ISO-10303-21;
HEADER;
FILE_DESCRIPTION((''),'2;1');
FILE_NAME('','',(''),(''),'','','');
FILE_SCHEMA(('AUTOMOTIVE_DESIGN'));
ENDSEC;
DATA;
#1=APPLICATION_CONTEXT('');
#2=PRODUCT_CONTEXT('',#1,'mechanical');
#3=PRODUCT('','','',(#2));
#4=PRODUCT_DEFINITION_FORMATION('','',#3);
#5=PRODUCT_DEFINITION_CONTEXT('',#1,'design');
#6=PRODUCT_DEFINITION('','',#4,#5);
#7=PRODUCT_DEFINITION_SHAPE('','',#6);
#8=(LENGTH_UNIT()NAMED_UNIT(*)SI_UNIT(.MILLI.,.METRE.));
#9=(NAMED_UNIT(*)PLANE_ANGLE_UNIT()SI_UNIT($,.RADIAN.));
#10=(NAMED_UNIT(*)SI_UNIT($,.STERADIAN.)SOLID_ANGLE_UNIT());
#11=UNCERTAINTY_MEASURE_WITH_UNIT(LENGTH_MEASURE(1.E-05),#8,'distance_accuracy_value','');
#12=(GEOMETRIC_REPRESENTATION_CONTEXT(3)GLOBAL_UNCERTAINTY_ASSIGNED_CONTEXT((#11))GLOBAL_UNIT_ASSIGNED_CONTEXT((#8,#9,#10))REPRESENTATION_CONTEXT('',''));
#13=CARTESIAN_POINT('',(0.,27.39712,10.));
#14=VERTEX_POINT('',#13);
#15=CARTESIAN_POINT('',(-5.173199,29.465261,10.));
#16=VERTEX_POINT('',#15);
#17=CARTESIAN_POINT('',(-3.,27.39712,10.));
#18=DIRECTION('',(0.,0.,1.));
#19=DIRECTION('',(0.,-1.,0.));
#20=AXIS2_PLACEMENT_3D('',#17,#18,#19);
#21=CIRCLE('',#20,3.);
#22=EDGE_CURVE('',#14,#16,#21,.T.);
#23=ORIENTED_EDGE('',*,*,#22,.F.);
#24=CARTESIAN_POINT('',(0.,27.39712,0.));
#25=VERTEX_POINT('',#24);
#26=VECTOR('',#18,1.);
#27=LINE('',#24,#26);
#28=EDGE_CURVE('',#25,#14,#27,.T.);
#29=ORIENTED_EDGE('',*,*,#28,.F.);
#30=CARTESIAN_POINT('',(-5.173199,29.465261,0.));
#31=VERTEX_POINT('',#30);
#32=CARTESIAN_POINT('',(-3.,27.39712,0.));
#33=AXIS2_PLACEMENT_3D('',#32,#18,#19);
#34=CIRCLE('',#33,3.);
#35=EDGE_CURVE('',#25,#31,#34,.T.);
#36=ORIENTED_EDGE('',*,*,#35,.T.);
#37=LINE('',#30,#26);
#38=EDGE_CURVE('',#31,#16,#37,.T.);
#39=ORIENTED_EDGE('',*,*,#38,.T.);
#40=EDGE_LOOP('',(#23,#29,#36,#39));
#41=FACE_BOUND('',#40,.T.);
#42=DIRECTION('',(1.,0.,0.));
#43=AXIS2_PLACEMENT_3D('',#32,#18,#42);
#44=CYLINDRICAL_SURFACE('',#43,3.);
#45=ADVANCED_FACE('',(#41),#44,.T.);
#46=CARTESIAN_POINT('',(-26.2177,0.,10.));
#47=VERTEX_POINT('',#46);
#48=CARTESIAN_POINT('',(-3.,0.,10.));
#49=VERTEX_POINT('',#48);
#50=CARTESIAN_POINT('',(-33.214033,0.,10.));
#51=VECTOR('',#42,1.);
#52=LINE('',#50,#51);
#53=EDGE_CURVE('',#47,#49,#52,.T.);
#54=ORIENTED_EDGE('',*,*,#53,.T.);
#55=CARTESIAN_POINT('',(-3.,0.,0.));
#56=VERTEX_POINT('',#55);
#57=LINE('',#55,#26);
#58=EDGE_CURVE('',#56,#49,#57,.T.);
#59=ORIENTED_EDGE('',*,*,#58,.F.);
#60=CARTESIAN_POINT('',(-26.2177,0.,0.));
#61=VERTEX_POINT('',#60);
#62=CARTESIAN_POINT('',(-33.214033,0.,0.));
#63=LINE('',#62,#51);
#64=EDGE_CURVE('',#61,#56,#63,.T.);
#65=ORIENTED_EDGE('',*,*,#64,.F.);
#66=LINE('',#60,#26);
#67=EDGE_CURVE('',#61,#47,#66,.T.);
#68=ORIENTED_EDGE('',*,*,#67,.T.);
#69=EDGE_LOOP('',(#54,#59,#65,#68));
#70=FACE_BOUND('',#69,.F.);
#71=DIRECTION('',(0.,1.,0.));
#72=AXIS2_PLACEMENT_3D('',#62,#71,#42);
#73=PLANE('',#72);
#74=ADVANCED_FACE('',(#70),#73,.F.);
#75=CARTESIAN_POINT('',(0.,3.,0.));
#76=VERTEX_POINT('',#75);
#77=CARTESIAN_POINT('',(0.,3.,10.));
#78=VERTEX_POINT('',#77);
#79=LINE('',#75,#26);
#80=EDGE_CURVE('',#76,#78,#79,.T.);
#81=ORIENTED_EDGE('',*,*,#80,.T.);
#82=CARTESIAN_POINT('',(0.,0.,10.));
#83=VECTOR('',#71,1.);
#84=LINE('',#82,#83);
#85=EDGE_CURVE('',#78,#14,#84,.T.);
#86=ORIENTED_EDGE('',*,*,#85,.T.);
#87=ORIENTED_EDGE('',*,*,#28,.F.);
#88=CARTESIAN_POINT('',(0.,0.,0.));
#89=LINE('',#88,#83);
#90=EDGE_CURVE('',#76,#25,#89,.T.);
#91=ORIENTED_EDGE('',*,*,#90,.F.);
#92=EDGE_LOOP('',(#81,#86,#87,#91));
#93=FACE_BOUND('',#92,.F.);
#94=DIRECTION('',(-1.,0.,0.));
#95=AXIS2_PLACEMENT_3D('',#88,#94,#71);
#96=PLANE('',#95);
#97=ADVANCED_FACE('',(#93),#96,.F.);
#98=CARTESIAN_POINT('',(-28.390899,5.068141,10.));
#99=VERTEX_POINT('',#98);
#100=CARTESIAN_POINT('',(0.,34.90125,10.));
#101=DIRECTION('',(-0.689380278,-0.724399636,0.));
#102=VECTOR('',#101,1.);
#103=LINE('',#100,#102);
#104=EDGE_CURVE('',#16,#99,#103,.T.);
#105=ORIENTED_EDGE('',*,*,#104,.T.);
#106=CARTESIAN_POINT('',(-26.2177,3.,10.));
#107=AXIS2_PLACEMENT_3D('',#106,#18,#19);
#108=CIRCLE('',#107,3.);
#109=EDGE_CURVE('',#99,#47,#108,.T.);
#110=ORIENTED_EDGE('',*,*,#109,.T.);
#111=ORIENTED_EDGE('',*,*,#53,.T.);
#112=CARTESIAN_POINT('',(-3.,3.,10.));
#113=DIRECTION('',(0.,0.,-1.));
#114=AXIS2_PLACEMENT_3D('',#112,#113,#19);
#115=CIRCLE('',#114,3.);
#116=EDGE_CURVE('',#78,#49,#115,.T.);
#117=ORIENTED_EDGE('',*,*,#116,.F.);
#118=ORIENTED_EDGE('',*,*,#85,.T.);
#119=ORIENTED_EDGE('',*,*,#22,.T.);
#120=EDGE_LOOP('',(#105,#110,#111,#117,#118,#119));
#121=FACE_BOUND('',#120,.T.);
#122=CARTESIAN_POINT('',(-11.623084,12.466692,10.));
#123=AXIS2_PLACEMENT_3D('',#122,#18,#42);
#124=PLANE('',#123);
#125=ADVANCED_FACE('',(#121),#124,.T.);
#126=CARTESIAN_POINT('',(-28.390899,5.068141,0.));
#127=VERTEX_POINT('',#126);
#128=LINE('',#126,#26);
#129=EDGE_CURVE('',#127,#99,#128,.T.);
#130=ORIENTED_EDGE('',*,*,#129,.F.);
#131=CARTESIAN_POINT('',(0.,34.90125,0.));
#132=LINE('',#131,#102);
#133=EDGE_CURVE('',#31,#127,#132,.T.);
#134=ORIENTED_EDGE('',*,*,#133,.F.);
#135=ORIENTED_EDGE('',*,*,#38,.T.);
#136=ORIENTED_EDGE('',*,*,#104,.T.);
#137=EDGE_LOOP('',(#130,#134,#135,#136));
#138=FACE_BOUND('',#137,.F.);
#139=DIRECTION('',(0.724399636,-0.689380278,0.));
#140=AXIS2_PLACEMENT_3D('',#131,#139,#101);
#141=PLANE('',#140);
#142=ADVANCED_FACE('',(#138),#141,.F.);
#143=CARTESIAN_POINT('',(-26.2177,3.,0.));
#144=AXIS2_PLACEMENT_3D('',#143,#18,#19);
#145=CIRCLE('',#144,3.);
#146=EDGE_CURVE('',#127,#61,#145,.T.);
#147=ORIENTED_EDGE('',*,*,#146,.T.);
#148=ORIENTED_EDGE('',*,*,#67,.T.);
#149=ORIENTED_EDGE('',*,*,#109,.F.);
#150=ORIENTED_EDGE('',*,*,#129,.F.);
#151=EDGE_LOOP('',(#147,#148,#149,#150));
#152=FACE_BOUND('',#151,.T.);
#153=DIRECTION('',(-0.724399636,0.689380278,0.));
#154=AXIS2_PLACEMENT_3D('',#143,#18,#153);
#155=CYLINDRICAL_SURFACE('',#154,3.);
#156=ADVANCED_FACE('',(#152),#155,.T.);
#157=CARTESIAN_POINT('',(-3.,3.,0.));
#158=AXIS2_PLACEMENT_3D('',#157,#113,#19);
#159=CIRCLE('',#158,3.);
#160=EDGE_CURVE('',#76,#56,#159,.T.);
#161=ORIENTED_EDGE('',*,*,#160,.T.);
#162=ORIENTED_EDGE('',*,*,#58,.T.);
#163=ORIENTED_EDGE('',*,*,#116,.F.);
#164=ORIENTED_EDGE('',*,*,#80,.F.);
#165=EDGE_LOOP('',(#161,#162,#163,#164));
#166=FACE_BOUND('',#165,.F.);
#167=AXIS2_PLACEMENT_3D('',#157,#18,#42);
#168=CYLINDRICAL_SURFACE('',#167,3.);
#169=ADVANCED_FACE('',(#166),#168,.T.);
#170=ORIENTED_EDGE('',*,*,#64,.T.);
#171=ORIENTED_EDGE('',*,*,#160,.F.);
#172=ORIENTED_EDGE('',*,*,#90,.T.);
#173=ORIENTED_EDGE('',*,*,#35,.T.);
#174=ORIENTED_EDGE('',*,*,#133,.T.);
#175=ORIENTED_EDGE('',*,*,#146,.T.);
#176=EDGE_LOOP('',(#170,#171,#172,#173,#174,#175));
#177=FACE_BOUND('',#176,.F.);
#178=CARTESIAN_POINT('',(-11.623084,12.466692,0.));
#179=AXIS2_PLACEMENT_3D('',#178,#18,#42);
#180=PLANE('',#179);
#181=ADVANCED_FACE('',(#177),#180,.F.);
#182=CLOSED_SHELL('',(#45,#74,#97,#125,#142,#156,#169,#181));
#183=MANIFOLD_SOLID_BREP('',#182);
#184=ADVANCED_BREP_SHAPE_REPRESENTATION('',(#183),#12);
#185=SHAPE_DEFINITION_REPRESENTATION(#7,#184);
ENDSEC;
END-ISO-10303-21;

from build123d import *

# Parameters (mm, degrees)
F1_DEPTH = 10
F2_R     = 3


with BuildPart() as f1:
    # F0 (on Top) → F1 (new body)
    with BuildSketch(Plane.XY):
        Polygon((0, 0), (0, 34.90125), (-33.214033, 0), align=None)
    extrude(amount=F1_DEPTH)

    # F2
    f2_edges = [f1.edges().sort_by_distance(p)[0] for p in [
        (0, 0, 5),
        (-33.214033, 0, 5),
        (0, 34.90125, 5),
    ]]
    fillet(f2_edges, radius=F2_R)


solid = f1.part
